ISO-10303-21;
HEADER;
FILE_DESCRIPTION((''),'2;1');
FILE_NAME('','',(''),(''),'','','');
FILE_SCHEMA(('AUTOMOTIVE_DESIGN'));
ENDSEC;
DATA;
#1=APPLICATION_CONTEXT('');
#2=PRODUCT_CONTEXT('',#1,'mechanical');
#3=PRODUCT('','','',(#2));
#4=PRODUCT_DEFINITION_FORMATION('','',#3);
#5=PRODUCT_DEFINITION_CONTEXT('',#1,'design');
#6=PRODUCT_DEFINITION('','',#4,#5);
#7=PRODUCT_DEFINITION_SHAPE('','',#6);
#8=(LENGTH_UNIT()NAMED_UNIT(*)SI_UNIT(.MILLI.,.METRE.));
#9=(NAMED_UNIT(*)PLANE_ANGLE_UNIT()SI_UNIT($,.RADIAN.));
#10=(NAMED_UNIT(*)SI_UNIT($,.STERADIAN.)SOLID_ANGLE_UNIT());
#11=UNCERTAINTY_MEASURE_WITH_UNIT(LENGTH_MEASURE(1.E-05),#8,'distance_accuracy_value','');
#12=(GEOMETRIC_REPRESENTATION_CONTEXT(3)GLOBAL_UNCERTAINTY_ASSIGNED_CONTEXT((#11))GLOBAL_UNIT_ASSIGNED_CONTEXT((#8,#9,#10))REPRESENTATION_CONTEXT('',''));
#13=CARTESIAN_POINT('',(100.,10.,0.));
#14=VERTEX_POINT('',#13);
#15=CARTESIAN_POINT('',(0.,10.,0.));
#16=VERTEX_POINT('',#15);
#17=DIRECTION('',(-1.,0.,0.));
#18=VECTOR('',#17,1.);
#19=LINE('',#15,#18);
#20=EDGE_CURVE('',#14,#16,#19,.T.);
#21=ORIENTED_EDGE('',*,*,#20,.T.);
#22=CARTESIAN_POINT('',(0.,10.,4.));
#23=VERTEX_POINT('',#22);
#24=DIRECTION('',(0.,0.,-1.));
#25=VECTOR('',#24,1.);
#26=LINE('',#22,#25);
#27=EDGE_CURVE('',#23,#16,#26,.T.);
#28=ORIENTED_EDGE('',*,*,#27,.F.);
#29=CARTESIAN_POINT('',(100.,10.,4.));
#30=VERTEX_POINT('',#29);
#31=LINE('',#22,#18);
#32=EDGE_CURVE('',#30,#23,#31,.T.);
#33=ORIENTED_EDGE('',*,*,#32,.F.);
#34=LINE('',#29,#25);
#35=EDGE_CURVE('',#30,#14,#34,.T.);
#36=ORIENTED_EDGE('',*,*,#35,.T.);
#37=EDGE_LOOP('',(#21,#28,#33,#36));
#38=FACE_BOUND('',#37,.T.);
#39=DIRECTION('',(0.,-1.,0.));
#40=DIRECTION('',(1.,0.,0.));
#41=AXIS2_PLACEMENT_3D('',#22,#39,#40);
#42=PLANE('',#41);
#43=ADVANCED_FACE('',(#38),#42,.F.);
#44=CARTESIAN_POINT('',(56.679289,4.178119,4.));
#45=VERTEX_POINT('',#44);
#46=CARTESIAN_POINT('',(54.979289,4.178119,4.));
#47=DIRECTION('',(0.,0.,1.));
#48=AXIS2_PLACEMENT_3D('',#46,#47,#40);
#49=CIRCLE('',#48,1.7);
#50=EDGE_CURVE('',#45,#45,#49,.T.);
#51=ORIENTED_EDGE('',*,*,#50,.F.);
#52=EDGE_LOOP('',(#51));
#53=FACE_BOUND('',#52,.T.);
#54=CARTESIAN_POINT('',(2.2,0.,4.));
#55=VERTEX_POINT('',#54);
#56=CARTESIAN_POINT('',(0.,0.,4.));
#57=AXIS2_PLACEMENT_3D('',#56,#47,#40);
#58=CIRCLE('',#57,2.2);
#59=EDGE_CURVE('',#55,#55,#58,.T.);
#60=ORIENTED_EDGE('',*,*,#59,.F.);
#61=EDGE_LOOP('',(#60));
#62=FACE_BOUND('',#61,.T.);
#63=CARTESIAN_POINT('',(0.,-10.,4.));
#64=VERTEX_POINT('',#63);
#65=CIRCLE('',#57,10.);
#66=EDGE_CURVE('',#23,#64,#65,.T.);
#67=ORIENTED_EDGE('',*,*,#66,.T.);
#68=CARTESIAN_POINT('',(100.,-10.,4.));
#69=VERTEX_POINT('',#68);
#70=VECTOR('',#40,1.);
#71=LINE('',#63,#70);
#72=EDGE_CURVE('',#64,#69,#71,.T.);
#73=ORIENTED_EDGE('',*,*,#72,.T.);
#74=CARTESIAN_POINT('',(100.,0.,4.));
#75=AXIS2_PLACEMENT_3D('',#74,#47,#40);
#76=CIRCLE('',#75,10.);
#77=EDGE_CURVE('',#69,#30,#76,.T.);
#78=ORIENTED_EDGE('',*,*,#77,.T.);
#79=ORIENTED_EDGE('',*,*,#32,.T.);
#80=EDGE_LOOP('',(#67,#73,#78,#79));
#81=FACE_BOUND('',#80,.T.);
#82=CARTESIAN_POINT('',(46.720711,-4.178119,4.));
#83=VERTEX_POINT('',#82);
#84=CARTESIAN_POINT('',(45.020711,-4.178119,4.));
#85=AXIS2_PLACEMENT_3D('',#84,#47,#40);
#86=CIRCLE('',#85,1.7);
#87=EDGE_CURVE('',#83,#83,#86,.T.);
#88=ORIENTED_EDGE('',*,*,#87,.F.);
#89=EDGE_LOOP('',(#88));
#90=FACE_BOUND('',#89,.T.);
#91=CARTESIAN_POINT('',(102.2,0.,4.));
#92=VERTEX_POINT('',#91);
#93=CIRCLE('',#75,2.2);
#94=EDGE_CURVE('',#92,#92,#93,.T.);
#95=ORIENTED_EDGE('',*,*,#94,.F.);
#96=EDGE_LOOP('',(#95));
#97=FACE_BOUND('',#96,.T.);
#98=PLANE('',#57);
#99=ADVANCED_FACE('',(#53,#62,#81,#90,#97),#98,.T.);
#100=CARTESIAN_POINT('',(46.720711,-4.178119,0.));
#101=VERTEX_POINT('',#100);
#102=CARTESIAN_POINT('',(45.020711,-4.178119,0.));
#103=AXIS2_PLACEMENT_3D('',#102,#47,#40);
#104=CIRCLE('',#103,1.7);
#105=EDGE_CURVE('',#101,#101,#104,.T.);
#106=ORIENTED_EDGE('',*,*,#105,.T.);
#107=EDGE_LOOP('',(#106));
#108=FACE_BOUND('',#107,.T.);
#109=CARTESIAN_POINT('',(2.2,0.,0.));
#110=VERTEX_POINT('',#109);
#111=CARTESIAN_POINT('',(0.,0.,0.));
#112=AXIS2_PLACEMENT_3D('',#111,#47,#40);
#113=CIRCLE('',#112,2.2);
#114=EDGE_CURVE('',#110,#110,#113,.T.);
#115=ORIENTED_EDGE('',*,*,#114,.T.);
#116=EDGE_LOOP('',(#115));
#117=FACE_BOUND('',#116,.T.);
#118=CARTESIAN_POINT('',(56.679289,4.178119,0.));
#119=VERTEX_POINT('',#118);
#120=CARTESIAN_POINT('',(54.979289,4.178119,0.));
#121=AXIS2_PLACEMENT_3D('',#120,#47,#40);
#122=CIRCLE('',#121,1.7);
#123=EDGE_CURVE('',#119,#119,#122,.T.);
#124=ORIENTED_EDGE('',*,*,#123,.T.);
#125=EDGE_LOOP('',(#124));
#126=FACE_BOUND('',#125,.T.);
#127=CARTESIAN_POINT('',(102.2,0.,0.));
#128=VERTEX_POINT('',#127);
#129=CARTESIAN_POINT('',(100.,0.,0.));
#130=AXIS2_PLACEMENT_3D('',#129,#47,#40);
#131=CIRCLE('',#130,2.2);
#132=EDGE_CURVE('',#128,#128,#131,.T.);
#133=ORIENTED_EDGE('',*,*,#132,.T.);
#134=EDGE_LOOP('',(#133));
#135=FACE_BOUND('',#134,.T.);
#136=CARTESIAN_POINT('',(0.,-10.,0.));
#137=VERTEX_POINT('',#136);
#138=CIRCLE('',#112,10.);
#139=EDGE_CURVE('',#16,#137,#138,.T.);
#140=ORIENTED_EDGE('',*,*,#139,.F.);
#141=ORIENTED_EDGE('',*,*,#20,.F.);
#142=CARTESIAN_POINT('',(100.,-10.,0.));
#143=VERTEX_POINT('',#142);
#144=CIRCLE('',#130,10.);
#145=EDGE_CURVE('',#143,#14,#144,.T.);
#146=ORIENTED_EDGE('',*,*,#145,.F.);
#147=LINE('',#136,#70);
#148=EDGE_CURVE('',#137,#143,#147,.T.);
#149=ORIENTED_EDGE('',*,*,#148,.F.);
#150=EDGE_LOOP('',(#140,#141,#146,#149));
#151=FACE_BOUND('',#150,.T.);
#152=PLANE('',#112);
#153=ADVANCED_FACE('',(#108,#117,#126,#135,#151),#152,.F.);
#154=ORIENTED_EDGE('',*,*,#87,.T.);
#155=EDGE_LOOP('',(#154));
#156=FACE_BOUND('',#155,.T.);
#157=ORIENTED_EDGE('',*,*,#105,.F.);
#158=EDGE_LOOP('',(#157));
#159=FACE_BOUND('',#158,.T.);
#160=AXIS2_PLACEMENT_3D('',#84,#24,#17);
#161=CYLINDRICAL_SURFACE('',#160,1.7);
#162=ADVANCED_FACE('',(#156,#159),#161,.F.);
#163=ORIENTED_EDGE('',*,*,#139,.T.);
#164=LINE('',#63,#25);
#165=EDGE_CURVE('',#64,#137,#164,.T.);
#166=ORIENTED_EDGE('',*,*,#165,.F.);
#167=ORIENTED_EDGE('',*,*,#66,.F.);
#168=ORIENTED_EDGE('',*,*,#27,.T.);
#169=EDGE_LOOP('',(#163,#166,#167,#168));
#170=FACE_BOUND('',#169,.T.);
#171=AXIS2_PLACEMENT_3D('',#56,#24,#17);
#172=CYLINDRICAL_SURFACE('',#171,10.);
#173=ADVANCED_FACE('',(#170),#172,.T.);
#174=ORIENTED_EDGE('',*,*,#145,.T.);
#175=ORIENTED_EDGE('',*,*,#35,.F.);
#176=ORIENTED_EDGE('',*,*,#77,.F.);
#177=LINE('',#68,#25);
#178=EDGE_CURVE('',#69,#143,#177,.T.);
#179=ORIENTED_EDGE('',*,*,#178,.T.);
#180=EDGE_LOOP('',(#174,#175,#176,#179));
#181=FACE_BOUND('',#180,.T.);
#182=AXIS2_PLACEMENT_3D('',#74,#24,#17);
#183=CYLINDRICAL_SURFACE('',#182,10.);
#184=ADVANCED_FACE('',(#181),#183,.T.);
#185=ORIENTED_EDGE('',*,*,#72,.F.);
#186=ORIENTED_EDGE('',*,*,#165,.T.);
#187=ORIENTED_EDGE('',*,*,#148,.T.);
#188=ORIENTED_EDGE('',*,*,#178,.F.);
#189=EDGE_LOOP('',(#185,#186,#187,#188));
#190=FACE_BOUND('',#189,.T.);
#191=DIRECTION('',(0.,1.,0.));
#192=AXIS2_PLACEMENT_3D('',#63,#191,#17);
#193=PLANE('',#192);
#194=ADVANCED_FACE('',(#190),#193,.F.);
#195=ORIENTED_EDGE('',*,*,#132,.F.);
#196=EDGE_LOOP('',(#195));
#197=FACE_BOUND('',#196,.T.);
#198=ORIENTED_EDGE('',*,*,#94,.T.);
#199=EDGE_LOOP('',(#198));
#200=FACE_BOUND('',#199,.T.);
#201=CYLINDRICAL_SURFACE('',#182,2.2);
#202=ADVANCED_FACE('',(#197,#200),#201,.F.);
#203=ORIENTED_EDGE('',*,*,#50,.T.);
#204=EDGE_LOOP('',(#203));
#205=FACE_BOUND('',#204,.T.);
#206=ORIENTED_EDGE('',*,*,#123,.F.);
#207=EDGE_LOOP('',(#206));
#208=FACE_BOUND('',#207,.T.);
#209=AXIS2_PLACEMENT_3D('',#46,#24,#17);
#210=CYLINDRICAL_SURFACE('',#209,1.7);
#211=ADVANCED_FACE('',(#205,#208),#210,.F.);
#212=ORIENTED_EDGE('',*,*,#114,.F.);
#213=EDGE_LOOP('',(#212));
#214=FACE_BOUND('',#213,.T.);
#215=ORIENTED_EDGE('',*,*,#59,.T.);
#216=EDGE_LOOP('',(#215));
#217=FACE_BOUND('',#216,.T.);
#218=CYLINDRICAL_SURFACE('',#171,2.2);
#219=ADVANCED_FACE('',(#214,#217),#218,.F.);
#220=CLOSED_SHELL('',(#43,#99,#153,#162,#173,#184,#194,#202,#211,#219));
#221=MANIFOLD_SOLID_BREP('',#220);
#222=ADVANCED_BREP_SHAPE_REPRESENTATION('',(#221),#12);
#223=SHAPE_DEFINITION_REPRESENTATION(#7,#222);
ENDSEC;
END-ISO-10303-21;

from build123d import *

# Parameters (mm, degrees)
ESQUISSE1_R        = 2.2
ESQUISSE1_R_2      = 1.7
BOSS_EXTRU_1_DEPTH = 4


with BuildPart() as part:
    # Esquisse1 → Boss.-Extru.1 (new body)
    with BuildSketch(Plane.XY):
        with BuildLine():
            Line((0, 10), (100, 10))
            ThreePointArc((100, 10), (110, 0), (100, -10))
            Line((100, -10), (0, -10))
            ThreePointArc((0, -10), (-10, 0), (0, 10))
        make_face()
        Circle(ESQUISSE1_R, mode=Mode.SUBTRACT)
        with Locations((100, 0)):
            Circle(ESQUISSE1_R, mode=Mode.SUBTRACT)
        with Locations((54.97928888, 4.178119463)):
            Circle(ESQUISSE1_R_2, mode=Mode.SUBTRACT)
        with Locations((45.02071112, -4.178119463)):
            Circle(ESQUISSE1_R_2, mode=Mode.SUBTRACT)
    extrude(amount=BOSS_EXTRU_1_DEPTH)


solid = part.part
